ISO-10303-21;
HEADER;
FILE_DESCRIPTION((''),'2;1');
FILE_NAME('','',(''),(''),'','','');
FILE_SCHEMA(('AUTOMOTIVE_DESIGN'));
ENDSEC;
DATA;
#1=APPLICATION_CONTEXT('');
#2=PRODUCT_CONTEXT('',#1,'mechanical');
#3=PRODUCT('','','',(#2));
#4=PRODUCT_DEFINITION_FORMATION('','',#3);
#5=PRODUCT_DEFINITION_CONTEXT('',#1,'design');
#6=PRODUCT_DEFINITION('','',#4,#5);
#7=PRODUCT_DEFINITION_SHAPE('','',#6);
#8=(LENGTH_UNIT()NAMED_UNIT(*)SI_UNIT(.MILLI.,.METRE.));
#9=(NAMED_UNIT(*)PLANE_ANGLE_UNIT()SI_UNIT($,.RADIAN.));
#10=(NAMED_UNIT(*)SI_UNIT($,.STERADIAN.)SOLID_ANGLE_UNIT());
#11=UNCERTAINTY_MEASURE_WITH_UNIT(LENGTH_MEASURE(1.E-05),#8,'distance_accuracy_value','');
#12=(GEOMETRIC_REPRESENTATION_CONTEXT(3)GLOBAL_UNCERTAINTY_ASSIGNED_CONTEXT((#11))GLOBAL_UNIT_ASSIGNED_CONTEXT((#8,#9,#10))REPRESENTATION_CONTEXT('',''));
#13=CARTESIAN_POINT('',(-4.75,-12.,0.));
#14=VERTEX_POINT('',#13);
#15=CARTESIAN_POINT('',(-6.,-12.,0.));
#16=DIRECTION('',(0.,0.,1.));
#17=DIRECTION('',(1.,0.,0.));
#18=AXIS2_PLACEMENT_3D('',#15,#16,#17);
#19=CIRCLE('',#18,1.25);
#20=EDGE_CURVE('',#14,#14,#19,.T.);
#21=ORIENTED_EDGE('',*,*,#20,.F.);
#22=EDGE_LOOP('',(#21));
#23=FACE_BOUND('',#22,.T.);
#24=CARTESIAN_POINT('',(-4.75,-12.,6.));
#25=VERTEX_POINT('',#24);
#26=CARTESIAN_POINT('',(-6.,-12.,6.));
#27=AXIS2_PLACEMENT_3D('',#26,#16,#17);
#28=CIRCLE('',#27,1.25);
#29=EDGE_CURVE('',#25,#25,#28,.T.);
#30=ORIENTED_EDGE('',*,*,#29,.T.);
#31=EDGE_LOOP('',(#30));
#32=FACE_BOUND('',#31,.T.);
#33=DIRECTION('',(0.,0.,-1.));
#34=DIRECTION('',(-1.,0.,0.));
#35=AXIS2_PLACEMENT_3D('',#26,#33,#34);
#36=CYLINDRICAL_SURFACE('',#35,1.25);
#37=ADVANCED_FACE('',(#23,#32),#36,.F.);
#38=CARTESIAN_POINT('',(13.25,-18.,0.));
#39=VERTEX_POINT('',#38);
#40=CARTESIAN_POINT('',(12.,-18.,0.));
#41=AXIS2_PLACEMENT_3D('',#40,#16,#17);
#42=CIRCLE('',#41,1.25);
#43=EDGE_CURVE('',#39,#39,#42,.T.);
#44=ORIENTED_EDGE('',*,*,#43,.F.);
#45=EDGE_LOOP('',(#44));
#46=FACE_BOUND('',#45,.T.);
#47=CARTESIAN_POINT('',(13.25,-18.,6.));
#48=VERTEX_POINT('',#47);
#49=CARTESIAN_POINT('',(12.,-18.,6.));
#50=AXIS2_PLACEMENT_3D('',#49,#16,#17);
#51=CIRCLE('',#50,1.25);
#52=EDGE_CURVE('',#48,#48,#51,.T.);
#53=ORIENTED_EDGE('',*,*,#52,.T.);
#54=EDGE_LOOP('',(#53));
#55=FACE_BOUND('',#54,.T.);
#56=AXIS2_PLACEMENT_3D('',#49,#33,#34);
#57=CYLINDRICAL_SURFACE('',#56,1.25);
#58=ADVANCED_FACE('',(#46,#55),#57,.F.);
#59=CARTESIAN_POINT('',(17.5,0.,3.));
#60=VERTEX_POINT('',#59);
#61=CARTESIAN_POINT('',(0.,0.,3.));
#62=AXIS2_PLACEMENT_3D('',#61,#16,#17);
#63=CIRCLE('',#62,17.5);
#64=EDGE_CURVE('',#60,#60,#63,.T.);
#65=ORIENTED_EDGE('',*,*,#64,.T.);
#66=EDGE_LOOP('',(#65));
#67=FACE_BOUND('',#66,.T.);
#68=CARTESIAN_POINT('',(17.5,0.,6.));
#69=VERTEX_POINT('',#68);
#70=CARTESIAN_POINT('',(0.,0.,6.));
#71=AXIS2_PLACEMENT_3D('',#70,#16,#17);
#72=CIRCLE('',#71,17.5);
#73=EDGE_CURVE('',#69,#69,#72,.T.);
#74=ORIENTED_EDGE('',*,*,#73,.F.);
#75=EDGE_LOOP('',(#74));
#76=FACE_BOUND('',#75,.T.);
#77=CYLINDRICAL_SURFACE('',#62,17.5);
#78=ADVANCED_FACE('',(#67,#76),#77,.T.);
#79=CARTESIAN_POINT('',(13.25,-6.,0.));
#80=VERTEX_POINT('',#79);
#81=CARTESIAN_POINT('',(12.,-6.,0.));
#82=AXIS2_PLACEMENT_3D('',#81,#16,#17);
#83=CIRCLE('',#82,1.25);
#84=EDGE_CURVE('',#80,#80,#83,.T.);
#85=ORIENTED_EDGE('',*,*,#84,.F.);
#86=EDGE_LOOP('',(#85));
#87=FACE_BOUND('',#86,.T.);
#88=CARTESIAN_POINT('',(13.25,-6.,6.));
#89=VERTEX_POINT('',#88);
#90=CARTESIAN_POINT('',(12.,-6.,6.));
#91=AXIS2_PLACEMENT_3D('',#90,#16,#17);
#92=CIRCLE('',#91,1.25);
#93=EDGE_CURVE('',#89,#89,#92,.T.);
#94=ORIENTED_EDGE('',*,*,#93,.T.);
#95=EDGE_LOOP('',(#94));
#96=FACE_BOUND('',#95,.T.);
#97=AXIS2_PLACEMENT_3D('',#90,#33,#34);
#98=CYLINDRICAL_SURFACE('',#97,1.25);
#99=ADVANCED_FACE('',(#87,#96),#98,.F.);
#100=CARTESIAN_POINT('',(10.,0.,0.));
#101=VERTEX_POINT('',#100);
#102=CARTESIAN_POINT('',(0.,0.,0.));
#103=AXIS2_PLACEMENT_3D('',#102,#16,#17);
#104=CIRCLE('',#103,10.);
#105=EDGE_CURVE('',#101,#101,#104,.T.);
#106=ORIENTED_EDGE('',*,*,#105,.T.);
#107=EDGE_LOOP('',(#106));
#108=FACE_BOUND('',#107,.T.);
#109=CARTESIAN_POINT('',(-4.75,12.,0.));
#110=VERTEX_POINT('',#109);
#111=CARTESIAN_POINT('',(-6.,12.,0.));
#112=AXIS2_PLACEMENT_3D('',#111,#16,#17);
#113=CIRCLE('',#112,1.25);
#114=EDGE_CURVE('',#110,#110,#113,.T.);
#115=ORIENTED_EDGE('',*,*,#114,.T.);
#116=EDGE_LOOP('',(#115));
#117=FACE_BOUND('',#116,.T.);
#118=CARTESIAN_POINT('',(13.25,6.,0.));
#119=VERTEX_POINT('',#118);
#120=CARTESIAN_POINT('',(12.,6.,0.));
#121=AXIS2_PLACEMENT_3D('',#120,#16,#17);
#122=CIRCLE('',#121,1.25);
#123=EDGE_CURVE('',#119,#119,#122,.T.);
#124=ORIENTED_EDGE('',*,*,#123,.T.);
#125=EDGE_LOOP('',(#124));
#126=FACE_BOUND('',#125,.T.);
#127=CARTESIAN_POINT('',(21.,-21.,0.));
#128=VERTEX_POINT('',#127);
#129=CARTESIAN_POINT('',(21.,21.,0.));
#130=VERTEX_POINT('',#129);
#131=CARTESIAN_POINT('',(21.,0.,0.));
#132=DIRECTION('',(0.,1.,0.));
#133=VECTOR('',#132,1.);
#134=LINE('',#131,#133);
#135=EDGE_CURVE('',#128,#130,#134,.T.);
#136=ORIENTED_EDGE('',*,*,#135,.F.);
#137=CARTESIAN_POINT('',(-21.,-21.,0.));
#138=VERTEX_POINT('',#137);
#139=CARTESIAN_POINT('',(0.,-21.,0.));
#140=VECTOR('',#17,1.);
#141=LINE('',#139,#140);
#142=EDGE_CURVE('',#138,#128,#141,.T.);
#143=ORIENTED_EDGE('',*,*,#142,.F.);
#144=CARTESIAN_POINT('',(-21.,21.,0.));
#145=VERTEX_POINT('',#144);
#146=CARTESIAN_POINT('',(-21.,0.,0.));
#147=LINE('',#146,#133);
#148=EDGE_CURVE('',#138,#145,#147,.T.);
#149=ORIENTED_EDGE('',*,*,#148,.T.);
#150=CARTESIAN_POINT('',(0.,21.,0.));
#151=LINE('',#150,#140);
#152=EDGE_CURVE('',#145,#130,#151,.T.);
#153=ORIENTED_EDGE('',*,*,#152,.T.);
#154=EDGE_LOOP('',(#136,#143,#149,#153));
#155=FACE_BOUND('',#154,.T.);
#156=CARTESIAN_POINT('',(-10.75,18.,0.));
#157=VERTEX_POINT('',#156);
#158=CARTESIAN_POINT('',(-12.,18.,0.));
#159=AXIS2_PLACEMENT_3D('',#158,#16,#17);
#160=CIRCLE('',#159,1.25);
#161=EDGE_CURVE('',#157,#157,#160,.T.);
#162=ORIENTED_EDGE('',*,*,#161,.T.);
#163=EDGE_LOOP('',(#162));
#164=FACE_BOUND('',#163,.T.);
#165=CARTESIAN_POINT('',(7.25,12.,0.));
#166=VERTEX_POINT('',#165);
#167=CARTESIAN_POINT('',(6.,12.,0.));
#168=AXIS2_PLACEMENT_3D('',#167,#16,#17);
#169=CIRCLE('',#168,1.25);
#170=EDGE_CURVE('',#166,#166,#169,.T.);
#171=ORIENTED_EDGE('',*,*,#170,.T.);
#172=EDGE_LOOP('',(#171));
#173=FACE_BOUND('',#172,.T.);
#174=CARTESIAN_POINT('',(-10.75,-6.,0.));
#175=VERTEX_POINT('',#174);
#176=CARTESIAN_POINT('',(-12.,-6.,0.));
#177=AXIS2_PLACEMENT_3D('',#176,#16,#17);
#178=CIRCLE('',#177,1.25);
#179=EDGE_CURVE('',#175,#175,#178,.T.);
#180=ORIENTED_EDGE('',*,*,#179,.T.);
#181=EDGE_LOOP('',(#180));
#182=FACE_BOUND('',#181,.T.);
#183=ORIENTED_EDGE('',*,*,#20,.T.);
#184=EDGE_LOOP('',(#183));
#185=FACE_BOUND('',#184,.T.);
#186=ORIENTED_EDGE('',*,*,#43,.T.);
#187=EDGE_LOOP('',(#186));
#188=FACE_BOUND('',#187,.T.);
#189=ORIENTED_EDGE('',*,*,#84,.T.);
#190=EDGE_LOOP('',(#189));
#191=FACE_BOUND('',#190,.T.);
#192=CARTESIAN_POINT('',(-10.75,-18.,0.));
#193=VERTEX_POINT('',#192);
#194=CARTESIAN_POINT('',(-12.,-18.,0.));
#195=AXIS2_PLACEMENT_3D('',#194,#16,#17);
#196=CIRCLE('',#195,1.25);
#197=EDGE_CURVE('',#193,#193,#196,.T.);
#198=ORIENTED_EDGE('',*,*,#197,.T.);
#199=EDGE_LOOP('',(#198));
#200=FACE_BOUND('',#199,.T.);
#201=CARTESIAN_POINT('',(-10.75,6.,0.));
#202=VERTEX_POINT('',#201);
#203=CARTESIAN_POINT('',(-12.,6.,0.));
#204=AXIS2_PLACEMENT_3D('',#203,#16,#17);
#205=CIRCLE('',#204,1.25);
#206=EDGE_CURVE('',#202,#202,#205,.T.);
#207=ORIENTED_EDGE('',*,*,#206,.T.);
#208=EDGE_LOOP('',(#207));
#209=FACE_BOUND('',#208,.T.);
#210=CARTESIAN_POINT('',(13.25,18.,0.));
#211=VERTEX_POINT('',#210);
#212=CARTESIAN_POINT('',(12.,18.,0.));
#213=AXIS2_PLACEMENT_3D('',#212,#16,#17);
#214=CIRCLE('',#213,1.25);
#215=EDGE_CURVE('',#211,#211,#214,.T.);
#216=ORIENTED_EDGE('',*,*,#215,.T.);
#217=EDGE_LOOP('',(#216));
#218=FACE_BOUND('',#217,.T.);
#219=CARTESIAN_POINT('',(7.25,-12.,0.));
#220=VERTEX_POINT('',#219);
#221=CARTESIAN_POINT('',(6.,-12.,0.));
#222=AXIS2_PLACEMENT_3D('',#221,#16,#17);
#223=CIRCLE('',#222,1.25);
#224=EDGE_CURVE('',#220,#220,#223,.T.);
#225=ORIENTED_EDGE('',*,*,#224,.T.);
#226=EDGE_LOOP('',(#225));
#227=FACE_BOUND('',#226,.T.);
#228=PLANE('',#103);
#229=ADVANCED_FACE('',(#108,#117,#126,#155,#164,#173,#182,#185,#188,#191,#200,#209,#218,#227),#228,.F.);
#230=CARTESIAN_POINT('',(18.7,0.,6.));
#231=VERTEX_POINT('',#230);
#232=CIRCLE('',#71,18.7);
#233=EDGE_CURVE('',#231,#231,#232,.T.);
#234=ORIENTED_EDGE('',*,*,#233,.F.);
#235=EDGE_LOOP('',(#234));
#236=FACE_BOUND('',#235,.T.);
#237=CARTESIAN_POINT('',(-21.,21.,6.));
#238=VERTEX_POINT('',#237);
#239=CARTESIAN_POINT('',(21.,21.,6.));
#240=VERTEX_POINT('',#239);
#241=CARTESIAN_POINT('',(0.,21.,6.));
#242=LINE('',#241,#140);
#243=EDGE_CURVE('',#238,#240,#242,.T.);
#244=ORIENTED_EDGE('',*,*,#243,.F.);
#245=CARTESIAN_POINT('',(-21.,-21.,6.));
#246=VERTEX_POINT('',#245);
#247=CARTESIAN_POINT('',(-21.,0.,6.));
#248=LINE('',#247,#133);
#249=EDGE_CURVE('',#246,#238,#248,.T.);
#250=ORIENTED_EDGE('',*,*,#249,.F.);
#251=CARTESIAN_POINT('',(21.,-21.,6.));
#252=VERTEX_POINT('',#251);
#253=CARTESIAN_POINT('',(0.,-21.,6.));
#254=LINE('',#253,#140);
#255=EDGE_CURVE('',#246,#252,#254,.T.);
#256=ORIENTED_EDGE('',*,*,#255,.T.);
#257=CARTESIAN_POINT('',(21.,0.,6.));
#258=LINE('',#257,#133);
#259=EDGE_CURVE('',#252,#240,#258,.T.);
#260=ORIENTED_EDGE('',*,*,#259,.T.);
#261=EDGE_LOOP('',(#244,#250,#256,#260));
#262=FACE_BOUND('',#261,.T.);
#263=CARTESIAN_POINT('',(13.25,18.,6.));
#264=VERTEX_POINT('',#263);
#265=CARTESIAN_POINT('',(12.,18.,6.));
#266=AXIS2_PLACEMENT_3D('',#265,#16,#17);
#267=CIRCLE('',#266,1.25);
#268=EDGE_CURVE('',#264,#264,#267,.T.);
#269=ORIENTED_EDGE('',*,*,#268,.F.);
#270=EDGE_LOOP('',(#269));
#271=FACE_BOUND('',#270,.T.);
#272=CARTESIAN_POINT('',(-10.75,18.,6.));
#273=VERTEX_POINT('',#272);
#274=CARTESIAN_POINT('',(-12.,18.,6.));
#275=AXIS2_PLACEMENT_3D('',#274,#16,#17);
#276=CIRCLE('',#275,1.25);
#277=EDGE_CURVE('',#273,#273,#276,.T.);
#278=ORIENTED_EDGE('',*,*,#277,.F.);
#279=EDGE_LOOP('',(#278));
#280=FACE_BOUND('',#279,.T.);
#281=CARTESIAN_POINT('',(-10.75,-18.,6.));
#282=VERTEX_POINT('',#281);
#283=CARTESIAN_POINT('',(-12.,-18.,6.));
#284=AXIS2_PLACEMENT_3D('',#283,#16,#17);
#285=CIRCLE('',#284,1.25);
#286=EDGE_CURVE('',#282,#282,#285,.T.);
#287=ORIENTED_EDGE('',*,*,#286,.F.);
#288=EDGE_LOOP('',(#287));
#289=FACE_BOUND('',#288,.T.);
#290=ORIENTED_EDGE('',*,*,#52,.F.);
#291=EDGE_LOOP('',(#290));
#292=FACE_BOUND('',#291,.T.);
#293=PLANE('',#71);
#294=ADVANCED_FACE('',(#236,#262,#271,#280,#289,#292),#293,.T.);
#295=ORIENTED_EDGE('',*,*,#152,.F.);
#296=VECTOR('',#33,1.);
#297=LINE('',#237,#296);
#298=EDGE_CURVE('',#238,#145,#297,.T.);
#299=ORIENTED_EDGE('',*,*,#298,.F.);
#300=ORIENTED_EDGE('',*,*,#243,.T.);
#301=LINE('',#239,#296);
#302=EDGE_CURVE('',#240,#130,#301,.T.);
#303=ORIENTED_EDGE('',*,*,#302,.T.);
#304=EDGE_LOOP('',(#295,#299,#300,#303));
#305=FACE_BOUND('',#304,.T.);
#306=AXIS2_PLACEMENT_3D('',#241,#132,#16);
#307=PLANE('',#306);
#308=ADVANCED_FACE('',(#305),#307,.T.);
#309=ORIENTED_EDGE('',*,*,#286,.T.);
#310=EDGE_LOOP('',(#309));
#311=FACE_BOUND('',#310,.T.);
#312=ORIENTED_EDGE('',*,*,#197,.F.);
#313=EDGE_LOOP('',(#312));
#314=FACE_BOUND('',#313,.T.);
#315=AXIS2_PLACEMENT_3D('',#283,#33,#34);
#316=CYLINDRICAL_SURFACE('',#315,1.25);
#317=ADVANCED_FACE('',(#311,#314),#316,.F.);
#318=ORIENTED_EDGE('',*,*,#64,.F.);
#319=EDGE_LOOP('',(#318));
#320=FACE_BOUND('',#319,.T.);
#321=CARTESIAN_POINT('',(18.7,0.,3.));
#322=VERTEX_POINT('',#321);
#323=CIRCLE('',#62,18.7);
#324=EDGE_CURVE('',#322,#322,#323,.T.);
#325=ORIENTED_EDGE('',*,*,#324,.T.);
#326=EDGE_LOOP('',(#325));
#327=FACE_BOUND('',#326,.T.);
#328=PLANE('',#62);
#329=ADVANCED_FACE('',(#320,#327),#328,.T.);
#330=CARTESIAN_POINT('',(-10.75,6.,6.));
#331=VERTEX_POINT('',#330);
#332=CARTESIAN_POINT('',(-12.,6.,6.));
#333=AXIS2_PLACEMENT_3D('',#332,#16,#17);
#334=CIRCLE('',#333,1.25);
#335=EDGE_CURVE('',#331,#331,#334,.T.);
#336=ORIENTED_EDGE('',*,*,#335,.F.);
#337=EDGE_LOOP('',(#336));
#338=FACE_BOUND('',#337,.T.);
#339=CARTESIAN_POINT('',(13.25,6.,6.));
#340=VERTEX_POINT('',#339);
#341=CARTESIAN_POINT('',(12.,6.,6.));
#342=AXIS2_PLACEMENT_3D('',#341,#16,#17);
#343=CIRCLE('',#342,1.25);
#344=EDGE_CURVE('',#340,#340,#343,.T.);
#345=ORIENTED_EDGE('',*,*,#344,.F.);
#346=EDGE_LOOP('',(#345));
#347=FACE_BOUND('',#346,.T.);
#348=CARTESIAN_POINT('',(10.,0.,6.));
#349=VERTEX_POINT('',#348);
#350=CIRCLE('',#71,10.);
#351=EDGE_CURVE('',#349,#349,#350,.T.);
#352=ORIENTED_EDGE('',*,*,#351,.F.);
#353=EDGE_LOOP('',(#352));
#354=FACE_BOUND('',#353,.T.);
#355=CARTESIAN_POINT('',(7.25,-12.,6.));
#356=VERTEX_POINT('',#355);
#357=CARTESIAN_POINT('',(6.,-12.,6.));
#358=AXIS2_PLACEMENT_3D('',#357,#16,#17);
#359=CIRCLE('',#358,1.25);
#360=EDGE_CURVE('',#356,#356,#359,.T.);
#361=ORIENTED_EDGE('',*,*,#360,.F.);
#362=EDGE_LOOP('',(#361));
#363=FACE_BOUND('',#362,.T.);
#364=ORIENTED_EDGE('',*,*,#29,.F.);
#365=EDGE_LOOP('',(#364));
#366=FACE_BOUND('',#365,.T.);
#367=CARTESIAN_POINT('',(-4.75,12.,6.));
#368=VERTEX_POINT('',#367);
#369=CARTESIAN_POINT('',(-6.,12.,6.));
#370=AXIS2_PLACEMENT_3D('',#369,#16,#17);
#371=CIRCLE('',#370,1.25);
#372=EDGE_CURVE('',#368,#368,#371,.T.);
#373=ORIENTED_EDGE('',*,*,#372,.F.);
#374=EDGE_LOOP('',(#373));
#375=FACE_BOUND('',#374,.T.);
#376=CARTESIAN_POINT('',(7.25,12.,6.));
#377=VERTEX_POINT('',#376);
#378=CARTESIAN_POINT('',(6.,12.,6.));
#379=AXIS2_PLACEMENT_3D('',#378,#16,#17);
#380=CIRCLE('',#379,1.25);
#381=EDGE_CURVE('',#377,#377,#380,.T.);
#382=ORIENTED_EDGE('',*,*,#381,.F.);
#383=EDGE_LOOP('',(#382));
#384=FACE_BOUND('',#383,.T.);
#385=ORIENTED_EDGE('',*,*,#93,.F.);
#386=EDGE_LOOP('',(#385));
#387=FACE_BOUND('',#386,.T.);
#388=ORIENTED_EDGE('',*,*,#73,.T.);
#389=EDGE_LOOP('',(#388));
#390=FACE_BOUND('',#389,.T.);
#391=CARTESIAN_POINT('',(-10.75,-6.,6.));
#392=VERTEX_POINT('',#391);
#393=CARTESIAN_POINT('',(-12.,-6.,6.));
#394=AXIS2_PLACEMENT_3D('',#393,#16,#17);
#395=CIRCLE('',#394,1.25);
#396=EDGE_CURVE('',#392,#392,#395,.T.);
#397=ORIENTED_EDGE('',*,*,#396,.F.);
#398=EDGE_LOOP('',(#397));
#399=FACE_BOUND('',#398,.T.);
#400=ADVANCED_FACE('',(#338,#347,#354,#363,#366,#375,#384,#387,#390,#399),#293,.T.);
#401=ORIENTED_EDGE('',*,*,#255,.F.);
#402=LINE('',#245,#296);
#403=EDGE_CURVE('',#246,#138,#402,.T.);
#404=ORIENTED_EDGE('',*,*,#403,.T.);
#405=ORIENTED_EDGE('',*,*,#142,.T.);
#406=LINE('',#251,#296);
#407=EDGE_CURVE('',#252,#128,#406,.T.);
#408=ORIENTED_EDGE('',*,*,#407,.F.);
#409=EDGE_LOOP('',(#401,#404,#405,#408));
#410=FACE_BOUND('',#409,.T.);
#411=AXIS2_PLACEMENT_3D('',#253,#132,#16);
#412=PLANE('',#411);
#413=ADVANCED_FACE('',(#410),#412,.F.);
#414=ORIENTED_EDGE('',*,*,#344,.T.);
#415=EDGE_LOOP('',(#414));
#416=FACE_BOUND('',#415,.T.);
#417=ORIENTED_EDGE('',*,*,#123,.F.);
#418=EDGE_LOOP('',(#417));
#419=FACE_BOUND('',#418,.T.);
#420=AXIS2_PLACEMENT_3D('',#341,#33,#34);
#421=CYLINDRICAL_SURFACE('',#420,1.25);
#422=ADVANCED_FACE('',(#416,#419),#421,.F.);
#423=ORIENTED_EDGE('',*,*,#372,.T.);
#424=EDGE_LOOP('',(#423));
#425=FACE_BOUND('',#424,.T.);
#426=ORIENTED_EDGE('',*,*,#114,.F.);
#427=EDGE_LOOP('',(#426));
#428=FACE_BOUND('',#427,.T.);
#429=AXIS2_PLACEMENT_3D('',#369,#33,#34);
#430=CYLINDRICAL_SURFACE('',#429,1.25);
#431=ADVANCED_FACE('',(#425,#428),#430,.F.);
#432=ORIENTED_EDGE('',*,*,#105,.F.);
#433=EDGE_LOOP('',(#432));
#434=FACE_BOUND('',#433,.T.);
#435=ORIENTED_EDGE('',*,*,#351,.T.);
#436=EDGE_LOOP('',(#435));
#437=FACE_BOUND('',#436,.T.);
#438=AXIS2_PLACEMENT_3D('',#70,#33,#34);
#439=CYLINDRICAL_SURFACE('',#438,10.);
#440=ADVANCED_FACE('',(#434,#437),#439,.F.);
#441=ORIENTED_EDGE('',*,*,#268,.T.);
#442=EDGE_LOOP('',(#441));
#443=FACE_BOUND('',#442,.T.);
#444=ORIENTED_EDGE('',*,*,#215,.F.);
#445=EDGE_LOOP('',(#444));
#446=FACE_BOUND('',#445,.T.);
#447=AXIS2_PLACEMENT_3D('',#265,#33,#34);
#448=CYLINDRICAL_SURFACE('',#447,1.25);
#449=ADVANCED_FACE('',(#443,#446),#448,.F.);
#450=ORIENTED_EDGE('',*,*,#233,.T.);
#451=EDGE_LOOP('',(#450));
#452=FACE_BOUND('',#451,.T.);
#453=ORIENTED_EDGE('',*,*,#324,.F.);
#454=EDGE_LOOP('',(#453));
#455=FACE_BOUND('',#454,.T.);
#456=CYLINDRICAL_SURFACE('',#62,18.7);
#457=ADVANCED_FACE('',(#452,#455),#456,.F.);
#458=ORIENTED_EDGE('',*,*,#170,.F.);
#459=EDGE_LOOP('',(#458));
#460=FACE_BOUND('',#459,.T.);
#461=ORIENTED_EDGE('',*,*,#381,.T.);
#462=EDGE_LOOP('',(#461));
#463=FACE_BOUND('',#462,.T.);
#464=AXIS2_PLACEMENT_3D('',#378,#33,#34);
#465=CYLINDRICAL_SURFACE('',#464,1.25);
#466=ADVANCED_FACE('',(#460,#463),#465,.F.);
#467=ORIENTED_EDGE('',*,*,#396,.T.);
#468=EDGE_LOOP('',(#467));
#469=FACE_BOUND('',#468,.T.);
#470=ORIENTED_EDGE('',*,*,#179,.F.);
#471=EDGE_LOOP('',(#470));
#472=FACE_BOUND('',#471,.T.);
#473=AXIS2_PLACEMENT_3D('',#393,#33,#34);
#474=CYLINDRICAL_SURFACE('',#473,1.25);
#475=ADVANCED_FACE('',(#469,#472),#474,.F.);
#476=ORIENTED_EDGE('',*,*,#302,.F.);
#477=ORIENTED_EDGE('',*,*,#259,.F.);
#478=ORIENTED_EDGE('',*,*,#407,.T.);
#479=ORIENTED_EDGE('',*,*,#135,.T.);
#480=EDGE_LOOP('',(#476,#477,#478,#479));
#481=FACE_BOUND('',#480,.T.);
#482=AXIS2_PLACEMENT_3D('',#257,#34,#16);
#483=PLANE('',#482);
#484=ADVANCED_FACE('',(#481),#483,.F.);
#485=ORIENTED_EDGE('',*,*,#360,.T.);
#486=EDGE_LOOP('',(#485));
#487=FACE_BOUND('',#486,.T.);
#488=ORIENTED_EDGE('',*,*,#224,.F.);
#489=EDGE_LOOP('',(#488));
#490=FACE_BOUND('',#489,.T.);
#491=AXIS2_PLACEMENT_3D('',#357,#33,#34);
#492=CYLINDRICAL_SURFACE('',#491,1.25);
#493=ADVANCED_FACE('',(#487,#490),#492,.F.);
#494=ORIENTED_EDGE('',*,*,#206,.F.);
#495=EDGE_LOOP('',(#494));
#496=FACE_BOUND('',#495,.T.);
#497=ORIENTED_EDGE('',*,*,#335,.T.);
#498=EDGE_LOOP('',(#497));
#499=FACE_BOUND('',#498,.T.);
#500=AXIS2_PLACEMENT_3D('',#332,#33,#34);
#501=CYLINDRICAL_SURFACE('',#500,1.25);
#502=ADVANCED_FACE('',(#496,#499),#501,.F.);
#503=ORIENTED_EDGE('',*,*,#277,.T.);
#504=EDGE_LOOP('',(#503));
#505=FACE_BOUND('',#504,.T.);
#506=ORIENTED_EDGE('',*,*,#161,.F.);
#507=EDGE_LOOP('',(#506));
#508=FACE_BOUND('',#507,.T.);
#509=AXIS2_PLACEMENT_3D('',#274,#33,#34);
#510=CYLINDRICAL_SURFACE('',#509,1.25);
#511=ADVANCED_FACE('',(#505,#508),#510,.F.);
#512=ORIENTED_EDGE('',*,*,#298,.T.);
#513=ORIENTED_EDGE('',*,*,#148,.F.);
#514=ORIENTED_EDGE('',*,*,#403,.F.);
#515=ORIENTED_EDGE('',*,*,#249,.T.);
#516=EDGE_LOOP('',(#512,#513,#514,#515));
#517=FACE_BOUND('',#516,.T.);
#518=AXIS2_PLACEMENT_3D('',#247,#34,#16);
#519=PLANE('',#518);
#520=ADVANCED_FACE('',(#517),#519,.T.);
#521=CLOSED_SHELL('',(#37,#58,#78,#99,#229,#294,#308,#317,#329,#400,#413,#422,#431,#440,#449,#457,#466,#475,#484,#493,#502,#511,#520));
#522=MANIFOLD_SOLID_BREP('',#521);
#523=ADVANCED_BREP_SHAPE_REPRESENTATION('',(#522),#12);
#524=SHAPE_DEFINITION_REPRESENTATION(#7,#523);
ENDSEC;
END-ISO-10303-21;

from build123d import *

# Parameters (mm, degrees)
SKETCH_1_W          = 42
SKETCH_1_H          = 42
SKETCH_1_R          = 1.25
SKETCH_1_R_2        = 10
EXTRUDE_1_DEPTH     = 6
SKETCH_2_R          = 18.7
SKETCH_2_R_2        = 17.5
CUT_EXTRUDE_1_DEPTH = 3


with BuildPart() as part:
    # 草圖1 → 填料-伸長1 (new body)
    with BuildSketch(Plane.XY):
        Rectangle(SKETCH_1_W, SKETCH_1_H)
        with Locations((-6, 12)):
            Circle(SKETCH_1_R, mode=Mode.SUBTRACT)
        with Locations((-12, 6)):
            Circle(SKETCH_1_R, mode=Mode.SUBTRACT)
        with Locations((-12, -6)):
            Circle(SKETCH_1_R, mode=Mode.SUBTRACT)
        with Locations((-6, -12)):
            Circle(SKETCH_1_R, mode=Mode.SUBTRACT)
        with Locations((6, 12)):
            Circle(SKETCH_1_R, mode=Mode.SUBTRACT)
        with Locations((12, 6)):
            Circle(SKETCH_1_R, mode=Mode.SUBTRACT)
        with Locations((12, -6)):
            Circle(SKETCH_1_R, mode=Mode.SUBTRACT)
        with Locations((6, -12)):
            Circle(SKETCH_1_R, mode=Mode.SUBTRACT)
        with Locations((-12, 18)):
            Circle(SKETCH_1_R, mode=Mode.SUBTRACT)
        with Locations((12, 18)):
            Circle(SKETCH_1_R, mode=Mode.SUBTRACT)
        with Locations((-12, -18)):
            Circle(SKETCH_1_R, mode=Mode.SUBTRACT)
        with Locations((12, -18)):
            Circle(SKETCH_1_R, mode=Mode.SUBTRACT)
        Circle(SKETCH_1_R_2, mode=Mode.SUBTRACT)
    extrude(amount=EXTRUDE_1_DEPTH)

    # 草圖2 → 除料-伸長1 (cut)
    with BuildSketch(Plane.XY.offset(6)):
        Circle(SKETCH_2_R)
        Circle(SKETCH_2_R_2, mode=Mode.SUBTRACT)
    extrude(amount=-CUT_EXTRUDE_1_DEPTH, mode=Mode.SUBTRACT)


solid = part.part
